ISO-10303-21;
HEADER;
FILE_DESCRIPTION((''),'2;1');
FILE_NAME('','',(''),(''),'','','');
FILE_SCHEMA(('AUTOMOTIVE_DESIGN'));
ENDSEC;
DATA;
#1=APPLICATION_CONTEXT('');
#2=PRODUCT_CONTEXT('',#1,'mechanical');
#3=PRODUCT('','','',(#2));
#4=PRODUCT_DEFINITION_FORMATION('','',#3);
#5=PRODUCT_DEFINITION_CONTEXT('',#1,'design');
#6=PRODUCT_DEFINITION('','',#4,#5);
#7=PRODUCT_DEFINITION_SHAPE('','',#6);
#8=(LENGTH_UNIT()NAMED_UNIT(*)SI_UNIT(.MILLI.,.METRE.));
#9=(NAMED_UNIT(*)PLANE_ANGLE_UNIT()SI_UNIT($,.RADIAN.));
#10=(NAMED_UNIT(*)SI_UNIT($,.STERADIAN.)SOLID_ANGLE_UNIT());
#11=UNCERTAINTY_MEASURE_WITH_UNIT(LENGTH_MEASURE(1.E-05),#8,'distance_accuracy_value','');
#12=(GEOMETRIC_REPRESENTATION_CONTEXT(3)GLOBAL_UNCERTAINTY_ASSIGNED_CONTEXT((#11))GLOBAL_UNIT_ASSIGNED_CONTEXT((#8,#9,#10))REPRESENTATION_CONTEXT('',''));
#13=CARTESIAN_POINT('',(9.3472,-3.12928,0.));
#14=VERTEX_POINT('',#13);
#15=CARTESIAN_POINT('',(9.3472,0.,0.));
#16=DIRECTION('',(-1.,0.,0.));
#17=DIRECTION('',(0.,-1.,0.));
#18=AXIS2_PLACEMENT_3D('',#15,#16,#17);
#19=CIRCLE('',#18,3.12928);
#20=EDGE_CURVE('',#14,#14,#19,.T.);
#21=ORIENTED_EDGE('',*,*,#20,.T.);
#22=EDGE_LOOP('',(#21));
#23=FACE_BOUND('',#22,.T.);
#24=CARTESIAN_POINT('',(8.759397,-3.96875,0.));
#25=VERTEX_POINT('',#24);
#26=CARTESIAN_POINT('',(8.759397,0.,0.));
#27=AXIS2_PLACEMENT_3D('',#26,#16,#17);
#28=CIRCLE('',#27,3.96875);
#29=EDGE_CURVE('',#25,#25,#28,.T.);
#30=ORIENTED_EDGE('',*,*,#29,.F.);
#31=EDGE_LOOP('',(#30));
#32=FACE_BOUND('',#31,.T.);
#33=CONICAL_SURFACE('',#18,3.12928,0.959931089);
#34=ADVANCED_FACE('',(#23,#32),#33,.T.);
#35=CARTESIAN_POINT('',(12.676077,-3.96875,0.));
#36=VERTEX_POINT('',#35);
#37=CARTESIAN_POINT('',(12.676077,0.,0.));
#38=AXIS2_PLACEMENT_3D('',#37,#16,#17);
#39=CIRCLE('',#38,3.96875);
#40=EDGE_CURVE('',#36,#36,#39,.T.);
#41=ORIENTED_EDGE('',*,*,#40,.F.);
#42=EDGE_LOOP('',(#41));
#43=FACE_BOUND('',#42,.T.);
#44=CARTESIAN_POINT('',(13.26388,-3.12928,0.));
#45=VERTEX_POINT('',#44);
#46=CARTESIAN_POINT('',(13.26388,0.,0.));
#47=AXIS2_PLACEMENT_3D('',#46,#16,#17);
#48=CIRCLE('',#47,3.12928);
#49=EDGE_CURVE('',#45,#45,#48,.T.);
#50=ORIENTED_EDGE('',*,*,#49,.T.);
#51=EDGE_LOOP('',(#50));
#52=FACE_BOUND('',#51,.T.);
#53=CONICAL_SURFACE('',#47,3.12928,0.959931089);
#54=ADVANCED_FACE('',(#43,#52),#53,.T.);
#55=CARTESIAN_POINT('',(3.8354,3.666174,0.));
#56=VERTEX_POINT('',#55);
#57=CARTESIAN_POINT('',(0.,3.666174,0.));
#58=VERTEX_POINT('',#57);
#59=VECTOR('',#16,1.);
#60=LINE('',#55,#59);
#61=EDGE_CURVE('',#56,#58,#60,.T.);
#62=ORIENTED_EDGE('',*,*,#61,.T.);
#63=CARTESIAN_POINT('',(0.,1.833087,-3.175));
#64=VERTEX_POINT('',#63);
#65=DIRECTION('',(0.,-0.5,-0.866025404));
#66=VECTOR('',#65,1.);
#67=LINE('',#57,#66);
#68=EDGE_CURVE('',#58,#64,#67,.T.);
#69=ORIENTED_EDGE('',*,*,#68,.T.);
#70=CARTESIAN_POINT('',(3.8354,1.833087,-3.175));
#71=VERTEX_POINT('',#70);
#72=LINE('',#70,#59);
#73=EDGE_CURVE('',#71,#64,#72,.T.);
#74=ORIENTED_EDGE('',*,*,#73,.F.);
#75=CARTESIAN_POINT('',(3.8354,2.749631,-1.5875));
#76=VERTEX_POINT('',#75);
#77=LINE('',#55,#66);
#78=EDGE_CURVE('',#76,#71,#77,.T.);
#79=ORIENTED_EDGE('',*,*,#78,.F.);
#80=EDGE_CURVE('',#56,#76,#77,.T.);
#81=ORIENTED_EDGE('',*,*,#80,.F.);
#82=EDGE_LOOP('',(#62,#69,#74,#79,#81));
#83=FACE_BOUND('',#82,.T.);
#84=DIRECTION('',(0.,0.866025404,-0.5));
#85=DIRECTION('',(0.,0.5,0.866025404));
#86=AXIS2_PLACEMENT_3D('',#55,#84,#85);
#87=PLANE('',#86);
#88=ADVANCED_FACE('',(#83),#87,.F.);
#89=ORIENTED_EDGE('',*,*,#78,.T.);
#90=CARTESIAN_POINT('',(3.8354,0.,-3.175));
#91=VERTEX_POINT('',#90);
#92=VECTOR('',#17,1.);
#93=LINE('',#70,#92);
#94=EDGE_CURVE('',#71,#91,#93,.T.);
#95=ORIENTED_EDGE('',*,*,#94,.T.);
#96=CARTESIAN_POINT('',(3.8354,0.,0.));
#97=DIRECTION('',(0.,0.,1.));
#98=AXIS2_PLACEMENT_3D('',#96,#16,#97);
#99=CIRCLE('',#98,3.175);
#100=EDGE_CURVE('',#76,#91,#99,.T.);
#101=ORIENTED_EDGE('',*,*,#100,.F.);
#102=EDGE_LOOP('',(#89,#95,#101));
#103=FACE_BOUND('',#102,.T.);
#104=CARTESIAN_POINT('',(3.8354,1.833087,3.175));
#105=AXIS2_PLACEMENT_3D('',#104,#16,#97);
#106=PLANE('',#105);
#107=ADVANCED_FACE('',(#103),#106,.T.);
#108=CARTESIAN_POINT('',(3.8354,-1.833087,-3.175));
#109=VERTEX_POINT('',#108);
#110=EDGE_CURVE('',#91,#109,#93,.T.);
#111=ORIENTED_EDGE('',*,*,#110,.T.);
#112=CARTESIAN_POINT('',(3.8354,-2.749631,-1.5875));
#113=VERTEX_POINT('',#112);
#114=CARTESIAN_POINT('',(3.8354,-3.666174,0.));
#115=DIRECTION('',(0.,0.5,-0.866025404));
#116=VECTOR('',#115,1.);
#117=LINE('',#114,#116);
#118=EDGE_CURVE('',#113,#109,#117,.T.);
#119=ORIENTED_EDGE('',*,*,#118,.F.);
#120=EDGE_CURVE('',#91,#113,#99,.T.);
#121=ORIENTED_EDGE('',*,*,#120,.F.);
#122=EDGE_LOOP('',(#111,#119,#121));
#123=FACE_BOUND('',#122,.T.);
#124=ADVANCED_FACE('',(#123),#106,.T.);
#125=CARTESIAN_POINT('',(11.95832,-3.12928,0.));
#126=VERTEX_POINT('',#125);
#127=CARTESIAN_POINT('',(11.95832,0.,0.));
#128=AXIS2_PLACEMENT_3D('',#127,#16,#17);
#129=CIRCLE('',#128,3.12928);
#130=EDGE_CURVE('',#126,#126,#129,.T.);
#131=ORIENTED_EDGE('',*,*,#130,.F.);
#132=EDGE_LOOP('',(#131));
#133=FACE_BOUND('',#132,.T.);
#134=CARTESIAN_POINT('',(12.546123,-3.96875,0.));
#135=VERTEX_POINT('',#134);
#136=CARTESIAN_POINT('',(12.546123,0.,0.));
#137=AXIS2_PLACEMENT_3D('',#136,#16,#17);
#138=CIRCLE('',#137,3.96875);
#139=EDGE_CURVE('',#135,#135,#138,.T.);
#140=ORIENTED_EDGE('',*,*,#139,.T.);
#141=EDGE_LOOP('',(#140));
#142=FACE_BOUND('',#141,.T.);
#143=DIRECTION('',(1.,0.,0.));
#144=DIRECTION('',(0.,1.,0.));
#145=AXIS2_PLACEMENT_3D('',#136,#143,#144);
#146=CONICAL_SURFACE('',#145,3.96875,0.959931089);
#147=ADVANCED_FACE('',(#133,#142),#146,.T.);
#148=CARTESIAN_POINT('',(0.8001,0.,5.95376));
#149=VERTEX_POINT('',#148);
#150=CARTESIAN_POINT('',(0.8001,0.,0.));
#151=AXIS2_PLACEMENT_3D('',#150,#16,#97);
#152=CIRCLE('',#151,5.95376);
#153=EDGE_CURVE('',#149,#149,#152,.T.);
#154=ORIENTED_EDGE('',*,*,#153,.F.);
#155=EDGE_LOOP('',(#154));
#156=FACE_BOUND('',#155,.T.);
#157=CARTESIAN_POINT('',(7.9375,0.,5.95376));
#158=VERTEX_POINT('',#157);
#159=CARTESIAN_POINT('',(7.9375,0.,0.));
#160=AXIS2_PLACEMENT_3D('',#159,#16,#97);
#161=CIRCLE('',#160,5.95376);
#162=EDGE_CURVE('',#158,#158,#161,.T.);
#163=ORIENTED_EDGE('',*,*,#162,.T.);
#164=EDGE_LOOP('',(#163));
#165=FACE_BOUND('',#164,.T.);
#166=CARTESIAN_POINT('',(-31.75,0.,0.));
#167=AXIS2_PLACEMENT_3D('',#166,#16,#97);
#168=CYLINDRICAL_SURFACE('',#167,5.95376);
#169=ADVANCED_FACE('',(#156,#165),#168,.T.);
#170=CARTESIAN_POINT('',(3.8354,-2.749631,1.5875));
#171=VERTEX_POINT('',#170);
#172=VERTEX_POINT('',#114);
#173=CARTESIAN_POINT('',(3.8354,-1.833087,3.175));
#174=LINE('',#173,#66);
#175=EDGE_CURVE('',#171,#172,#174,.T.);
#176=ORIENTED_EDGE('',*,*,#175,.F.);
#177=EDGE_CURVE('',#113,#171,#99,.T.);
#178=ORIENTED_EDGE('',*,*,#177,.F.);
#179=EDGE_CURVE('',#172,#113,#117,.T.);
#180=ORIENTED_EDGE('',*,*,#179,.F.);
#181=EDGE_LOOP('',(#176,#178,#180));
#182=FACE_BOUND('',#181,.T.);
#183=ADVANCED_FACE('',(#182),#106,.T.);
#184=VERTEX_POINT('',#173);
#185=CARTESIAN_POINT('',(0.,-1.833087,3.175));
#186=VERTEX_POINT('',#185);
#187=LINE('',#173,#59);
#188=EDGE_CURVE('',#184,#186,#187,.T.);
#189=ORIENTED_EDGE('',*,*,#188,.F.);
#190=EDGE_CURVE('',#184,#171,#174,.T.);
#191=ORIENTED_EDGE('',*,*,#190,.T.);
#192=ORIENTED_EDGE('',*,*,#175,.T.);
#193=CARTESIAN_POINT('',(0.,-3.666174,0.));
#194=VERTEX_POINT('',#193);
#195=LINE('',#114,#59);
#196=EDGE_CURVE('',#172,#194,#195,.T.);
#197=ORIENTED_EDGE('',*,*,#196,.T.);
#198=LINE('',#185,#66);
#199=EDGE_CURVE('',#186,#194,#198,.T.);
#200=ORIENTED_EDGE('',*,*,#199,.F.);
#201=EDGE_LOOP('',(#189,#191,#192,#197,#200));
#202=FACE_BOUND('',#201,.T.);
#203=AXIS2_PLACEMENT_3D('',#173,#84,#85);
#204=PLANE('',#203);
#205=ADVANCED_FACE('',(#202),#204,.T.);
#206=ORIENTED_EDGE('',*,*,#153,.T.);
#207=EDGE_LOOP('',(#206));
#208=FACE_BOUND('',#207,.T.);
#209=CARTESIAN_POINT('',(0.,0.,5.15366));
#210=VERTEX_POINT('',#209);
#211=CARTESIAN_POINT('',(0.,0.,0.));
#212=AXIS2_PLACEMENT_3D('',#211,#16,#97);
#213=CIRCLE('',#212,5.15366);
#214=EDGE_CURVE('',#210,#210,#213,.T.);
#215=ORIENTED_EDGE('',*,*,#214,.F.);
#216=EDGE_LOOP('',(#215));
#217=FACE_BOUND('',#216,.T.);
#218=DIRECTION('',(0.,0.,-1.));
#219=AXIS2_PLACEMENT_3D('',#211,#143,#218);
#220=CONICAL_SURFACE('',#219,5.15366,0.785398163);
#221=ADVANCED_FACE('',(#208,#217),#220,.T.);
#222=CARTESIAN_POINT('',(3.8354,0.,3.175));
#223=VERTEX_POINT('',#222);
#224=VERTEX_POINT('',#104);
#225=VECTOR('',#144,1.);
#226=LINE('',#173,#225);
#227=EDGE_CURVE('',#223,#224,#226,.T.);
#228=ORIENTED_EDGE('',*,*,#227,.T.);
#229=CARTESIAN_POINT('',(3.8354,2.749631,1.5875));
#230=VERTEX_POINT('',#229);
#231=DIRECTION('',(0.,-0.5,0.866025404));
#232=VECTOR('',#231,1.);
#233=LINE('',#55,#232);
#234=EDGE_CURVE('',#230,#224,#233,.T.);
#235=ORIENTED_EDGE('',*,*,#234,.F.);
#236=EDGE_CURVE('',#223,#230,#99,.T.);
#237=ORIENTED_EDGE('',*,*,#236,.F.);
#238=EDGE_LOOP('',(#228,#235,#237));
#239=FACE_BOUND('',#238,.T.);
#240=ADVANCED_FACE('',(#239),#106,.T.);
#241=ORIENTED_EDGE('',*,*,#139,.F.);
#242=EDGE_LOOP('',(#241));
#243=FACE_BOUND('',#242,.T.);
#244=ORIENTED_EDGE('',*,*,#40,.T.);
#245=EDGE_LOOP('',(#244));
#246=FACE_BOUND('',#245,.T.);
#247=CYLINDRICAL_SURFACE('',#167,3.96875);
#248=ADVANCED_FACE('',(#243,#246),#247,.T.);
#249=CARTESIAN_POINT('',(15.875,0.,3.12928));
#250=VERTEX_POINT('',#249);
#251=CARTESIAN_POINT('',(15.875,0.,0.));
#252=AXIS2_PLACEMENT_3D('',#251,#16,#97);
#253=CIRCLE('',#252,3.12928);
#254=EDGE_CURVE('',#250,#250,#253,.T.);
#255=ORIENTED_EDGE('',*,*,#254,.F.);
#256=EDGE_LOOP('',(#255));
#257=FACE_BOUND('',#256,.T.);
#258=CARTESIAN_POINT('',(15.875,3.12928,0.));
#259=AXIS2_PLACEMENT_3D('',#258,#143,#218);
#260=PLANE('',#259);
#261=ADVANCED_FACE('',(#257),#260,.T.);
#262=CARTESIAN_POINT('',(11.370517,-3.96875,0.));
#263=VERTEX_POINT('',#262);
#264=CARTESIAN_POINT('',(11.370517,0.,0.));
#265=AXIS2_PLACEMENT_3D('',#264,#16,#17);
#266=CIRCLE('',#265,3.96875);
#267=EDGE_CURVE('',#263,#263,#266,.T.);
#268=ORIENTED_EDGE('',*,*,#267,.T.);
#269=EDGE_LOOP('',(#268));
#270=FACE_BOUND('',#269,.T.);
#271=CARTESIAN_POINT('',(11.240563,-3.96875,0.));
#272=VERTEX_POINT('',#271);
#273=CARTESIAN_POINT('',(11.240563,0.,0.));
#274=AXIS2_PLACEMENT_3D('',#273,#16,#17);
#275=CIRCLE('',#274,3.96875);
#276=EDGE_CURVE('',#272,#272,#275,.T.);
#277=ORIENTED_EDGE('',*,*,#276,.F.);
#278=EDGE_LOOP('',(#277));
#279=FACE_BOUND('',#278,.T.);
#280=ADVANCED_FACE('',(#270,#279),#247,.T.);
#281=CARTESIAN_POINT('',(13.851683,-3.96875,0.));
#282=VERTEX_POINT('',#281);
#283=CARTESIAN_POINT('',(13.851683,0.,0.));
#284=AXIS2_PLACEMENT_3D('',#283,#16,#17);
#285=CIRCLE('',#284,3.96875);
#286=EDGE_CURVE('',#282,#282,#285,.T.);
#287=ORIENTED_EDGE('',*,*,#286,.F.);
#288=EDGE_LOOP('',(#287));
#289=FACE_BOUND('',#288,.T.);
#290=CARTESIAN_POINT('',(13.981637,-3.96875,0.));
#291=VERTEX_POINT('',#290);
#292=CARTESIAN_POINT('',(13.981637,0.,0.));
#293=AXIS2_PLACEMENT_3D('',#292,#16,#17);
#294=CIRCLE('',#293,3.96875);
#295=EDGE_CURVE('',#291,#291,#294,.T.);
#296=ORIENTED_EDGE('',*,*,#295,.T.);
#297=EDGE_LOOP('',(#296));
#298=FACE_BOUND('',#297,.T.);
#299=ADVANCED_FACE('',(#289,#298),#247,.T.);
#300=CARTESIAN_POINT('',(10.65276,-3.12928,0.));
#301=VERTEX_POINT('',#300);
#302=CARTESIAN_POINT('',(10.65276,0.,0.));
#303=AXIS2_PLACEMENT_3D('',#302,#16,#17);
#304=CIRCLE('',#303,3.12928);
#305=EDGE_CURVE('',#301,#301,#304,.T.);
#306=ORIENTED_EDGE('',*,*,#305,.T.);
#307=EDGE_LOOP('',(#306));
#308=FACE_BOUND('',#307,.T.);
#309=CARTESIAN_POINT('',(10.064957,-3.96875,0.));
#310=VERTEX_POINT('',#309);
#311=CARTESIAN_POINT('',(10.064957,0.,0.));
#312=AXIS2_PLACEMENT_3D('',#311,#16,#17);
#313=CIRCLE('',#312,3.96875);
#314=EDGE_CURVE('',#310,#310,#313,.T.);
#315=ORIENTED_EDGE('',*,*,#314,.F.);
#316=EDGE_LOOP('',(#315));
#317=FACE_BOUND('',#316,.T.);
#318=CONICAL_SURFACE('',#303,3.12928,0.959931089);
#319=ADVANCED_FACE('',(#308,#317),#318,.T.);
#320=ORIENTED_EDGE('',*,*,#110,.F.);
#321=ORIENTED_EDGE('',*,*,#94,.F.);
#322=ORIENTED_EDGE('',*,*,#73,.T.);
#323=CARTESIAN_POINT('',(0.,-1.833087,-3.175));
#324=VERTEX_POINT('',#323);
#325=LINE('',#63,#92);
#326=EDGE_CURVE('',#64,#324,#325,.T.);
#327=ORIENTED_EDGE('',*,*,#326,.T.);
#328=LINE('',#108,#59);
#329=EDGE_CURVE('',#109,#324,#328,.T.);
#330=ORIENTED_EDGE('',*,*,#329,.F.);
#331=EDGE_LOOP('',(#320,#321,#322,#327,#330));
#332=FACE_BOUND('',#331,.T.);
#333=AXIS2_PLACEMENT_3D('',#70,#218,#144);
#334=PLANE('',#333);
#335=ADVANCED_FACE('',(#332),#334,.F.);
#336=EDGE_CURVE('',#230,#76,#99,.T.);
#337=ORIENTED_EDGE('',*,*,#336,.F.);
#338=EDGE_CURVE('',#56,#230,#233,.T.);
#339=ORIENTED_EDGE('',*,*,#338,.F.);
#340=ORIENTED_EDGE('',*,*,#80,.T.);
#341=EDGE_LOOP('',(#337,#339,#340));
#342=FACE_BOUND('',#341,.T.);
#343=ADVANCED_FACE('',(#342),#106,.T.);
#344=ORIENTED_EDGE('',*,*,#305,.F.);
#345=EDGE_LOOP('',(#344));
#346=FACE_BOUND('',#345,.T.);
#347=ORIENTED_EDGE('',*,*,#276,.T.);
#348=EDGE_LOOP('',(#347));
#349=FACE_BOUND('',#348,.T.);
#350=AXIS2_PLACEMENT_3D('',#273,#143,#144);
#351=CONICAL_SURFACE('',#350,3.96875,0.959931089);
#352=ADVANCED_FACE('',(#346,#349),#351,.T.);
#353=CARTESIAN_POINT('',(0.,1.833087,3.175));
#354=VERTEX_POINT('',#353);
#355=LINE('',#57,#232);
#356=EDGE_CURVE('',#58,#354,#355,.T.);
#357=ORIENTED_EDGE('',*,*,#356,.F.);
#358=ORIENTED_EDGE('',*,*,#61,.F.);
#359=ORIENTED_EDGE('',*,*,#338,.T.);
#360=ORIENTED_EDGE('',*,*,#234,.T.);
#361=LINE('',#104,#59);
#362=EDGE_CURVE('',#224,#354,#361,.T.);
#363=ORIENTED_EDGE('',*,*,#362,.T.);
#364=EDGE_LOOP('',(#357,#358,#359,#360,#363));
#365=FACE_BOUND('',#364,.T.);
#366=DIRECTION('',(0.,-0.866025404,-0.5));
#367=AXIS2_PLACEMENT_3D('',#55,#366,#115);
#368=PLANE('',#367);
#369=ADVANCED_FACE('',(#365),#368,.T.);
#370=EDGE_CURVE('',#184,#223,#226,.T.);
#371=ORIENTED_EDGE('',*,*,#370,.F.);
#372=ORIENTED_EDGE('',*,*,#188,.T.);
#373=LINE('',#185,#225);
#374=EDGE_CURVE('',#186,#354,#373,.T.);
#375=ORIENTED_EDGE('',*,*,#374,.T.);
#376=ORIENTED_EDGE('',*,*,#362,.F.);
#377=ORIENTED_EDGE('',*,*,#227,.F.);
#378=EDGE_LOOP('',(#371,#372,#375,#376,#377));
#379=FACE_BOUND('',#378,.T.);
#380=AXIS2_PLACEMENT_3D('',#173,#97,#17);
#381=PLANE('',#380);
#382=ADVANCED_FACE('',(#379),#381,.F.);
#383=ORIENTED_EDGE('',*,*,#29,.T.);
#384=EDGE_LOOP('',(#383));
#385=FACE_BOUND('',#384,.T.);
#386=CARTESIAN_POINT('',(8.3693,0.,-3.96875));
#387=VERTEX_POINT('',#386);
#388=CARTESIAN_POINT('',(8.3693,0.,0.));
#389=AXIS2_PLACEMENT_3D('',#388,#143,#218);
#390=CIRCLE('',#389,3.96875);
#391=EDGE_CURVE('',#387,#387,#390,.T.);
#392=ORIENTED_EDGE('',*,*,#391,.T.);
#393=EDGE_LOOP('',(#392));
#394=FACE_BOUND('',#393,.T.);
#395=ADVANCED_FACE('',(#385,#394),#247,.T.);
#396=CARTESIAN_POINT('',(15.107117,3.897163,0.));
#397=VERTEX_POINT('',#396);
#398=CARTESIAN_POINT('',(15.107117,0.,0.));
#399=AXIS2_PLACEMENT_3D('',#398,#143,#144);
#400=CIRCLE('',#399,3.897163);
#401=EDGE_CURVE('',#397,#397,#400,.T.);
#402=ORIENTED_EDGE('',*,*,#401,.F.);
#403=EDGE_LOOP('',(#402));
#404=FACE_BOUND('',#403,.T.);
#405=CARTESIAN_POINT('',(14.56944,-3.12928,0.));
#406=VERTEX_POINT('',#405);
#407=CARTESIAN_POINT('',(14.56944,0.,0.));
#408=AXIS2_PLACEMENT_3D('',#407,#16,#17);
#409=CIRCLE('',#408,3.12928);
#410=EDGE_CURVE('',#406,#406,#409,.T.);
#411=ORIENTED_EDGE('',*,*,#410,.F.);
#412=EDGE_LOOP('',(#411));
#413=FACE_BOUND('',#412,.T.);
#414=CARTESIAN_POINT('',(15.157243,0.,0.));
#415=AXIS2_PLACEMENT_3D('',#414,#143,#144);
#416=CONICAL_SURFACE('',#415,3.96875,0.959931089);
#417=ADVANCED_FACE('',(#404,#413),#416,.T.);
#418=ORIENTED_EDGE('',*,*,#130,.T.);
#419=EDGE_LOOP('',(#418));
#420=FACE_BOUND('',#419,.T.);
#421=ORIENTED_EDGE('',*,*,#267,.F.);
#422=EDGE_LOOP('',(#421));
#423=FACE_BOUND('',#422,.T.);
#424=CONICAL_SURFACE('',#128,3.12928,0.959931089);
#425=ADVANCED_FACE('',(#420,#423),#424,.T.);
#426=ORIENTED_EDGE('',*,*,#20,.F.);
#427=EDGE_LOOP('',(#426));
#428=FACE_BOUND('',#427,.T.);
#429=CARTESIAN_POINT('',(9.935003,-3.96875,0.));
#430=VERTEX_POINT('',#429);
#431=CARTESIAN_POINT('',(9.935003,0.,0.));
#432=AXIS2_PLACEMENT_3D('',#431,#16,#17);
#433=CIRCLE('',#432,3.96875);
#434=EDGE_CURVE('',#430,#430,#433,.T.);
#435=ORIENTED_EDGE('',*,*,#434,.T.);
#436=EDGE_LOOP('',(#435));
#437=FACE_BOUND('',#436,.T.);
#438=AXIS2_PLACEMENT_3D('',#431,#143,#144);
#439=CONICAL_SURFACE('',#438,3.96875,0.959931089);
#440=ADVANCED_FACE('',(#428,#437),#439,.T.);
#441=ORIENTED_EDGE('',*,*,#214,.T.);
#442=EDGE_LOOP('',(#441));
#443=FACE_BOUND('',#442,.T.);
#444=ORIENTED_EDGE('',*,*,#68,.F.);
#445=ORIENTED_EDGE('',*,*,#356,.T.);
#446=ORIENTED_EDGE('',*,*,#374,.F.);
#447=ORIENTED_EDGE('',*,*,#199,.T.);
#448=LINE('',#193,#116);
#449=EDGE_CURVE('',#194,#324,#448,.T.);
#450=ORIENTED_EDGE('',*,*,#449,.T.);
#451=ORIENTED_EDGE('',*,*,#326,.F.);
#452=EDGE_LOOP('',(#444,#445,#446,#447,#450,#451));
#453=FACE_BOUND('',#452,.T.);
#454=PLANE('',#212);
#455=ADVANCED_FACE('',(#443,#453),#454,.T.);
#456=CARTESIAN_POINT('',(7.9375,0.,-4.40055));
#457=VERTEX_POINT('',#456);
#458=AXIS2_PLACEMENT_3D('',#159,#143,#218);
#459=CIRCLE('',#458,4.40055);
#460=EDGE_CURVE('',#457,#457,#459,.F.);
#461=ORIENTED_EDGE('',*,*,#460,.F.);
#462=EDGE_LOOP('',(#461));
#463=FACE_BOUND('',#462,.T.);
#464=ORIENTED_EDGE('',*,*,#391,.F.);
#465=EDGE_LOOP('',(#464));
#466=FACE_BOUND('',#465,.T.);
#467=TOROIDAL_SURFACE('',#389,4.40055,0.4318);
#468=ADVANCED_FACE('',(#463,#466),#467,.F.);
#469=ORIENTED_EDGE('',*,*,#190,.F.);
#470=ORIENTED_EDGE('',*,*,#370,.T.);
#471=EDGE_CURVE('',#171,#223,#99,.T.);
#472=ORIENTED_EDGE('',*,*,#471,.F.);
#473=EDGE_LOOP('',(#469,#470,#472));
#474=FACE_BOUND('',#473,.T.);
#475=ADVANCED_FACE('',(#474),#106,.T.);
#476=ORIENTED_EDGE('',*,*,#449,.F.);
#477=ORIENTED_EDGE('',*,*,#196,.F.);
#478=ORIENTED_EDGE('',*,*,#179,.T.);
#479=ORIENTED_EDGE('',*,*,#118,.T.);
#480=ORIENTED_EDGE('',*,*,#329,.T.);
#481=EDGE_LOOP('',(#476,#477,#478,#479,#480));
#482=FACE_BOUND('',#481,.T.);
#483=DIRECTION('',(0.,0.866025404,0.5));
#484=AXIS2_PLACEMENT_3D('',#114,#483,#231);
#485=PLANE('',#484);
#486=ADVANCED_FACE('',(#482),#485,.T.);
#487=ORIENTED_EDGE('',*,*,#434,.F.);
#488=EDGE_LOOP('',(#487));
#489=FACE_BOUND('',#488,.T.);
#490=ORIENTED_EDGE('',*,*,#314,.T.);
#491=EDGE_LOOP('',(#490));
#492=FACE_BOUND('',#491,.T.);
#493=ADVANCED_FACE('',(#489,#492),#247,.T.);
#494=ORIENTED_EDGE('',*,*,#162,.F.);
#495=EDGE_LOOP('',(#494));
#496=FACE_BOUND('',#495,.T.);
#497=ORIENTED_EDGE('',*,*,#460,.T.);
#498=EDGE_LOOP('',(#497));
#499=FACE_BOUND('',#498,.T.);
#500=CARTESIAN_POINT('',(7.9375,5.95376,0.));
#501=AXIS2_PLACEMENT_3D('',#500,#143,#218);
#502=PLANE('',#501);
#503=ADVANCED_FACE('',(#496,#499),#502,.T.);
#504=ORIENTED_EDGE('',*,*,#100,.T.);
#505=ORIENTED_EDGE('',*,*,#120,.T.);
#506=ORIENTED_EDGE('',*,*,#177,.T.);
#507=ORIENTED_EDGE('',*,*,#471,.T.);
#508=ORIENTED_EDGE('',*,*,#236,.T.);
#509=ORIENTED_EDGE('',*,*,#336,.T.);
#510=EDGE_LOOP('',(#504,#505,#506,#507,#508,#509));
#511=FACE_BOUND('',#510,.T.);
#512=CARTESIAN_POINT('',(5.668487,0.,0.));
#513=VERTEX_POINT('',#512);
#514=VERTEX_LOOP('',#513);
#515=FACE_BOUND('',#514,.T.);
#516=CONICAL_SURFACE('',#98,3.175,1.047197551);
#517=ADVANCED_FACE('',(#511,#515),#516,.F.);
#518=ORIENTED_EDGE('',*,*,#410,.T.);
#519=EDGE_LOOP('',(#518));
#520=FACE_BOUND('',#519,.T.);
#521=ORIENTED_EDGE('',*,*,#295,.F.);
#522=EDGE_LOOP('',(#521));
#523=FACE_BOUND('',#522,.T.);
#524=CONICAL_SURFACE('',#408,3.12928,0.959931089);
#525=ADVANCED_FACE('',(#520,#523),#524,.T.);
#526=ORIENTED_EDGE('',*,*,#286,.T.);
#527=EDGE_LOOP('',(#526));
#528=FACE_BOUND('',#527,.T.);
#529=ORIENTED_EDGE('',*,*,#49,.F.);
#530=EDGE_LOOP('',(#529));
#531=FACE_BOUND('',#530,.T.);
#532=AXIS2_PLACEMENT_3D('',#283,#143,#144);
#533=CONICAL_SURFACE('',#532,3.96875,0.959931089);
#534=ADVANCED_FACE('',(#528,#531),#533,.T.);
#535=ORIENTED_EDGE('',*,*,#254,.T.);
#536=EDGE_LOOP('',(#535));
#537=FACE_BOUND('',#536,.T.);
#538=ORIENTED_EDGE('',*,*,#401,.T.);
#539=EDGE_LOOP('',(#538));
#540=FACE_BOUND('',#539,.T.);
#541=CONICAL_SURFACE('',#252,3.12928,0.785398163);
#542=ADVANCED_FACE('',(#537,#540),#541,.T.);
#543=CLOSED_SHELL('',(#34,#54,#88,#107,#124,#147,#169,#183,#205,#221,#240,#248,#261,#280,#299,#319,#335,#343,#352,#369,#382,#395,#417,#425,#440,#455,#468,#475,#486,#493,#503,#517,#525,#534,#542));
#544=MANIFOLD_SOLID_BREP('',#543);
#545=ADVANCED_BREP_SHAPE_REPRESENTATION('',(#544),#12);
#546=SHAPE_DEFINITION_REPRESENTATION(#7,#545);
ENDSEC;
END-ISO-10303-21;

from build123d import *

# Parameters (mm, degrees)
FILLET1_R       = 0.4318
HEX_2_DEPTH     = 3.8354
THDSCHPAT_COUNT = 5
THDSCHPAT_PITCH = 1.30556


with BuildPart() as part:
    # BodySke → Base-Revolve (revolve)
    with BuildSketch(Plane.XY, mode=Mode.PRIVATE) as base_revolve_sk:
        Polygon((0, 0), (0, 5.15366), (0.8001, 5.95376), (7.9375, 5.95376), (7.9375, 3.96875), (15.03553, 3.96875), (15.875, 3.12928), (15.875, 0), align=None)
    revolve(base_revolve_sk.sketch.rotate(Axis((-31.75, 0, 0), (1, 0, 0)), 90), axis=Axis((-31.75, 0, 0), (1, 0, 0)))

    # Fillet1
    fillet1_edges = [part.edges().sort_by_distance(p)[0] for p in [
        (7.9375, 0, -3.96875),
    ]]
    fillet(fillet1_edges, radius=FILLET1_R)

    # Sketch2 → Hex-PreBroach (revolve, cut)
    with BuildSketch(Plane.XY, mode=Mode.PRIVATE) as hex_prebroach_sk:
        Polygon((0, 3.175), (3.8354, 3.175), (5.668487105, 0), (0, 0), align=None)
    revolve(hex_prebroach_sk.sketch.rotate(Axis((0, 0, 0), (1, 0, 0)), 90), axis=Axis((0, 0, 0), (1, 0, 0)), mode=Mode.SUBTRACT)

    # Sketch3 → Hex 2 (cut)
    with BuildSketch(Plane(origin=(0, 0, 0), x_dir=(0, 0.500000000000001, 0.866025403784438), z_dir=(-1, 0, 0))):
        Polygon((1.833087105, 3.175), (-1.833087105, 3.175), (-3.666174209, 0), (-1.833087105, -3.175), (1.833087105, -3.175), (3.666174209, 0), align=None)
    extrude(amount=-HEX_2_DEPTH, mode=Mode.SUBTRACT)

    # ThdSchSke → ThreadSchematic (revolve, cut)
    with BuildSketch(Plane.XY):
        Polygon((9.3472, -3.12928), (8.759396778, -3.96875), (8.759396778, -4.9609375), (9.935003222, -4.9609375), (9.935003222, -3.96875), align=None)
    threadschematic = revolve(axis=Axis((-3.175, 0, 0), (1, 0, 0)), mode=Mode.SUBTRACT)

    # ThdSchPat: ThreadSchematic ×5
    with Locations(*[(i * THDSCHPAT_PITCH, 0, 0) for i in range(1, THDSCHPAT_COUNT)]):
        add(threadschematic, mode=Mode.SUBTRACT)


solid = part.part
